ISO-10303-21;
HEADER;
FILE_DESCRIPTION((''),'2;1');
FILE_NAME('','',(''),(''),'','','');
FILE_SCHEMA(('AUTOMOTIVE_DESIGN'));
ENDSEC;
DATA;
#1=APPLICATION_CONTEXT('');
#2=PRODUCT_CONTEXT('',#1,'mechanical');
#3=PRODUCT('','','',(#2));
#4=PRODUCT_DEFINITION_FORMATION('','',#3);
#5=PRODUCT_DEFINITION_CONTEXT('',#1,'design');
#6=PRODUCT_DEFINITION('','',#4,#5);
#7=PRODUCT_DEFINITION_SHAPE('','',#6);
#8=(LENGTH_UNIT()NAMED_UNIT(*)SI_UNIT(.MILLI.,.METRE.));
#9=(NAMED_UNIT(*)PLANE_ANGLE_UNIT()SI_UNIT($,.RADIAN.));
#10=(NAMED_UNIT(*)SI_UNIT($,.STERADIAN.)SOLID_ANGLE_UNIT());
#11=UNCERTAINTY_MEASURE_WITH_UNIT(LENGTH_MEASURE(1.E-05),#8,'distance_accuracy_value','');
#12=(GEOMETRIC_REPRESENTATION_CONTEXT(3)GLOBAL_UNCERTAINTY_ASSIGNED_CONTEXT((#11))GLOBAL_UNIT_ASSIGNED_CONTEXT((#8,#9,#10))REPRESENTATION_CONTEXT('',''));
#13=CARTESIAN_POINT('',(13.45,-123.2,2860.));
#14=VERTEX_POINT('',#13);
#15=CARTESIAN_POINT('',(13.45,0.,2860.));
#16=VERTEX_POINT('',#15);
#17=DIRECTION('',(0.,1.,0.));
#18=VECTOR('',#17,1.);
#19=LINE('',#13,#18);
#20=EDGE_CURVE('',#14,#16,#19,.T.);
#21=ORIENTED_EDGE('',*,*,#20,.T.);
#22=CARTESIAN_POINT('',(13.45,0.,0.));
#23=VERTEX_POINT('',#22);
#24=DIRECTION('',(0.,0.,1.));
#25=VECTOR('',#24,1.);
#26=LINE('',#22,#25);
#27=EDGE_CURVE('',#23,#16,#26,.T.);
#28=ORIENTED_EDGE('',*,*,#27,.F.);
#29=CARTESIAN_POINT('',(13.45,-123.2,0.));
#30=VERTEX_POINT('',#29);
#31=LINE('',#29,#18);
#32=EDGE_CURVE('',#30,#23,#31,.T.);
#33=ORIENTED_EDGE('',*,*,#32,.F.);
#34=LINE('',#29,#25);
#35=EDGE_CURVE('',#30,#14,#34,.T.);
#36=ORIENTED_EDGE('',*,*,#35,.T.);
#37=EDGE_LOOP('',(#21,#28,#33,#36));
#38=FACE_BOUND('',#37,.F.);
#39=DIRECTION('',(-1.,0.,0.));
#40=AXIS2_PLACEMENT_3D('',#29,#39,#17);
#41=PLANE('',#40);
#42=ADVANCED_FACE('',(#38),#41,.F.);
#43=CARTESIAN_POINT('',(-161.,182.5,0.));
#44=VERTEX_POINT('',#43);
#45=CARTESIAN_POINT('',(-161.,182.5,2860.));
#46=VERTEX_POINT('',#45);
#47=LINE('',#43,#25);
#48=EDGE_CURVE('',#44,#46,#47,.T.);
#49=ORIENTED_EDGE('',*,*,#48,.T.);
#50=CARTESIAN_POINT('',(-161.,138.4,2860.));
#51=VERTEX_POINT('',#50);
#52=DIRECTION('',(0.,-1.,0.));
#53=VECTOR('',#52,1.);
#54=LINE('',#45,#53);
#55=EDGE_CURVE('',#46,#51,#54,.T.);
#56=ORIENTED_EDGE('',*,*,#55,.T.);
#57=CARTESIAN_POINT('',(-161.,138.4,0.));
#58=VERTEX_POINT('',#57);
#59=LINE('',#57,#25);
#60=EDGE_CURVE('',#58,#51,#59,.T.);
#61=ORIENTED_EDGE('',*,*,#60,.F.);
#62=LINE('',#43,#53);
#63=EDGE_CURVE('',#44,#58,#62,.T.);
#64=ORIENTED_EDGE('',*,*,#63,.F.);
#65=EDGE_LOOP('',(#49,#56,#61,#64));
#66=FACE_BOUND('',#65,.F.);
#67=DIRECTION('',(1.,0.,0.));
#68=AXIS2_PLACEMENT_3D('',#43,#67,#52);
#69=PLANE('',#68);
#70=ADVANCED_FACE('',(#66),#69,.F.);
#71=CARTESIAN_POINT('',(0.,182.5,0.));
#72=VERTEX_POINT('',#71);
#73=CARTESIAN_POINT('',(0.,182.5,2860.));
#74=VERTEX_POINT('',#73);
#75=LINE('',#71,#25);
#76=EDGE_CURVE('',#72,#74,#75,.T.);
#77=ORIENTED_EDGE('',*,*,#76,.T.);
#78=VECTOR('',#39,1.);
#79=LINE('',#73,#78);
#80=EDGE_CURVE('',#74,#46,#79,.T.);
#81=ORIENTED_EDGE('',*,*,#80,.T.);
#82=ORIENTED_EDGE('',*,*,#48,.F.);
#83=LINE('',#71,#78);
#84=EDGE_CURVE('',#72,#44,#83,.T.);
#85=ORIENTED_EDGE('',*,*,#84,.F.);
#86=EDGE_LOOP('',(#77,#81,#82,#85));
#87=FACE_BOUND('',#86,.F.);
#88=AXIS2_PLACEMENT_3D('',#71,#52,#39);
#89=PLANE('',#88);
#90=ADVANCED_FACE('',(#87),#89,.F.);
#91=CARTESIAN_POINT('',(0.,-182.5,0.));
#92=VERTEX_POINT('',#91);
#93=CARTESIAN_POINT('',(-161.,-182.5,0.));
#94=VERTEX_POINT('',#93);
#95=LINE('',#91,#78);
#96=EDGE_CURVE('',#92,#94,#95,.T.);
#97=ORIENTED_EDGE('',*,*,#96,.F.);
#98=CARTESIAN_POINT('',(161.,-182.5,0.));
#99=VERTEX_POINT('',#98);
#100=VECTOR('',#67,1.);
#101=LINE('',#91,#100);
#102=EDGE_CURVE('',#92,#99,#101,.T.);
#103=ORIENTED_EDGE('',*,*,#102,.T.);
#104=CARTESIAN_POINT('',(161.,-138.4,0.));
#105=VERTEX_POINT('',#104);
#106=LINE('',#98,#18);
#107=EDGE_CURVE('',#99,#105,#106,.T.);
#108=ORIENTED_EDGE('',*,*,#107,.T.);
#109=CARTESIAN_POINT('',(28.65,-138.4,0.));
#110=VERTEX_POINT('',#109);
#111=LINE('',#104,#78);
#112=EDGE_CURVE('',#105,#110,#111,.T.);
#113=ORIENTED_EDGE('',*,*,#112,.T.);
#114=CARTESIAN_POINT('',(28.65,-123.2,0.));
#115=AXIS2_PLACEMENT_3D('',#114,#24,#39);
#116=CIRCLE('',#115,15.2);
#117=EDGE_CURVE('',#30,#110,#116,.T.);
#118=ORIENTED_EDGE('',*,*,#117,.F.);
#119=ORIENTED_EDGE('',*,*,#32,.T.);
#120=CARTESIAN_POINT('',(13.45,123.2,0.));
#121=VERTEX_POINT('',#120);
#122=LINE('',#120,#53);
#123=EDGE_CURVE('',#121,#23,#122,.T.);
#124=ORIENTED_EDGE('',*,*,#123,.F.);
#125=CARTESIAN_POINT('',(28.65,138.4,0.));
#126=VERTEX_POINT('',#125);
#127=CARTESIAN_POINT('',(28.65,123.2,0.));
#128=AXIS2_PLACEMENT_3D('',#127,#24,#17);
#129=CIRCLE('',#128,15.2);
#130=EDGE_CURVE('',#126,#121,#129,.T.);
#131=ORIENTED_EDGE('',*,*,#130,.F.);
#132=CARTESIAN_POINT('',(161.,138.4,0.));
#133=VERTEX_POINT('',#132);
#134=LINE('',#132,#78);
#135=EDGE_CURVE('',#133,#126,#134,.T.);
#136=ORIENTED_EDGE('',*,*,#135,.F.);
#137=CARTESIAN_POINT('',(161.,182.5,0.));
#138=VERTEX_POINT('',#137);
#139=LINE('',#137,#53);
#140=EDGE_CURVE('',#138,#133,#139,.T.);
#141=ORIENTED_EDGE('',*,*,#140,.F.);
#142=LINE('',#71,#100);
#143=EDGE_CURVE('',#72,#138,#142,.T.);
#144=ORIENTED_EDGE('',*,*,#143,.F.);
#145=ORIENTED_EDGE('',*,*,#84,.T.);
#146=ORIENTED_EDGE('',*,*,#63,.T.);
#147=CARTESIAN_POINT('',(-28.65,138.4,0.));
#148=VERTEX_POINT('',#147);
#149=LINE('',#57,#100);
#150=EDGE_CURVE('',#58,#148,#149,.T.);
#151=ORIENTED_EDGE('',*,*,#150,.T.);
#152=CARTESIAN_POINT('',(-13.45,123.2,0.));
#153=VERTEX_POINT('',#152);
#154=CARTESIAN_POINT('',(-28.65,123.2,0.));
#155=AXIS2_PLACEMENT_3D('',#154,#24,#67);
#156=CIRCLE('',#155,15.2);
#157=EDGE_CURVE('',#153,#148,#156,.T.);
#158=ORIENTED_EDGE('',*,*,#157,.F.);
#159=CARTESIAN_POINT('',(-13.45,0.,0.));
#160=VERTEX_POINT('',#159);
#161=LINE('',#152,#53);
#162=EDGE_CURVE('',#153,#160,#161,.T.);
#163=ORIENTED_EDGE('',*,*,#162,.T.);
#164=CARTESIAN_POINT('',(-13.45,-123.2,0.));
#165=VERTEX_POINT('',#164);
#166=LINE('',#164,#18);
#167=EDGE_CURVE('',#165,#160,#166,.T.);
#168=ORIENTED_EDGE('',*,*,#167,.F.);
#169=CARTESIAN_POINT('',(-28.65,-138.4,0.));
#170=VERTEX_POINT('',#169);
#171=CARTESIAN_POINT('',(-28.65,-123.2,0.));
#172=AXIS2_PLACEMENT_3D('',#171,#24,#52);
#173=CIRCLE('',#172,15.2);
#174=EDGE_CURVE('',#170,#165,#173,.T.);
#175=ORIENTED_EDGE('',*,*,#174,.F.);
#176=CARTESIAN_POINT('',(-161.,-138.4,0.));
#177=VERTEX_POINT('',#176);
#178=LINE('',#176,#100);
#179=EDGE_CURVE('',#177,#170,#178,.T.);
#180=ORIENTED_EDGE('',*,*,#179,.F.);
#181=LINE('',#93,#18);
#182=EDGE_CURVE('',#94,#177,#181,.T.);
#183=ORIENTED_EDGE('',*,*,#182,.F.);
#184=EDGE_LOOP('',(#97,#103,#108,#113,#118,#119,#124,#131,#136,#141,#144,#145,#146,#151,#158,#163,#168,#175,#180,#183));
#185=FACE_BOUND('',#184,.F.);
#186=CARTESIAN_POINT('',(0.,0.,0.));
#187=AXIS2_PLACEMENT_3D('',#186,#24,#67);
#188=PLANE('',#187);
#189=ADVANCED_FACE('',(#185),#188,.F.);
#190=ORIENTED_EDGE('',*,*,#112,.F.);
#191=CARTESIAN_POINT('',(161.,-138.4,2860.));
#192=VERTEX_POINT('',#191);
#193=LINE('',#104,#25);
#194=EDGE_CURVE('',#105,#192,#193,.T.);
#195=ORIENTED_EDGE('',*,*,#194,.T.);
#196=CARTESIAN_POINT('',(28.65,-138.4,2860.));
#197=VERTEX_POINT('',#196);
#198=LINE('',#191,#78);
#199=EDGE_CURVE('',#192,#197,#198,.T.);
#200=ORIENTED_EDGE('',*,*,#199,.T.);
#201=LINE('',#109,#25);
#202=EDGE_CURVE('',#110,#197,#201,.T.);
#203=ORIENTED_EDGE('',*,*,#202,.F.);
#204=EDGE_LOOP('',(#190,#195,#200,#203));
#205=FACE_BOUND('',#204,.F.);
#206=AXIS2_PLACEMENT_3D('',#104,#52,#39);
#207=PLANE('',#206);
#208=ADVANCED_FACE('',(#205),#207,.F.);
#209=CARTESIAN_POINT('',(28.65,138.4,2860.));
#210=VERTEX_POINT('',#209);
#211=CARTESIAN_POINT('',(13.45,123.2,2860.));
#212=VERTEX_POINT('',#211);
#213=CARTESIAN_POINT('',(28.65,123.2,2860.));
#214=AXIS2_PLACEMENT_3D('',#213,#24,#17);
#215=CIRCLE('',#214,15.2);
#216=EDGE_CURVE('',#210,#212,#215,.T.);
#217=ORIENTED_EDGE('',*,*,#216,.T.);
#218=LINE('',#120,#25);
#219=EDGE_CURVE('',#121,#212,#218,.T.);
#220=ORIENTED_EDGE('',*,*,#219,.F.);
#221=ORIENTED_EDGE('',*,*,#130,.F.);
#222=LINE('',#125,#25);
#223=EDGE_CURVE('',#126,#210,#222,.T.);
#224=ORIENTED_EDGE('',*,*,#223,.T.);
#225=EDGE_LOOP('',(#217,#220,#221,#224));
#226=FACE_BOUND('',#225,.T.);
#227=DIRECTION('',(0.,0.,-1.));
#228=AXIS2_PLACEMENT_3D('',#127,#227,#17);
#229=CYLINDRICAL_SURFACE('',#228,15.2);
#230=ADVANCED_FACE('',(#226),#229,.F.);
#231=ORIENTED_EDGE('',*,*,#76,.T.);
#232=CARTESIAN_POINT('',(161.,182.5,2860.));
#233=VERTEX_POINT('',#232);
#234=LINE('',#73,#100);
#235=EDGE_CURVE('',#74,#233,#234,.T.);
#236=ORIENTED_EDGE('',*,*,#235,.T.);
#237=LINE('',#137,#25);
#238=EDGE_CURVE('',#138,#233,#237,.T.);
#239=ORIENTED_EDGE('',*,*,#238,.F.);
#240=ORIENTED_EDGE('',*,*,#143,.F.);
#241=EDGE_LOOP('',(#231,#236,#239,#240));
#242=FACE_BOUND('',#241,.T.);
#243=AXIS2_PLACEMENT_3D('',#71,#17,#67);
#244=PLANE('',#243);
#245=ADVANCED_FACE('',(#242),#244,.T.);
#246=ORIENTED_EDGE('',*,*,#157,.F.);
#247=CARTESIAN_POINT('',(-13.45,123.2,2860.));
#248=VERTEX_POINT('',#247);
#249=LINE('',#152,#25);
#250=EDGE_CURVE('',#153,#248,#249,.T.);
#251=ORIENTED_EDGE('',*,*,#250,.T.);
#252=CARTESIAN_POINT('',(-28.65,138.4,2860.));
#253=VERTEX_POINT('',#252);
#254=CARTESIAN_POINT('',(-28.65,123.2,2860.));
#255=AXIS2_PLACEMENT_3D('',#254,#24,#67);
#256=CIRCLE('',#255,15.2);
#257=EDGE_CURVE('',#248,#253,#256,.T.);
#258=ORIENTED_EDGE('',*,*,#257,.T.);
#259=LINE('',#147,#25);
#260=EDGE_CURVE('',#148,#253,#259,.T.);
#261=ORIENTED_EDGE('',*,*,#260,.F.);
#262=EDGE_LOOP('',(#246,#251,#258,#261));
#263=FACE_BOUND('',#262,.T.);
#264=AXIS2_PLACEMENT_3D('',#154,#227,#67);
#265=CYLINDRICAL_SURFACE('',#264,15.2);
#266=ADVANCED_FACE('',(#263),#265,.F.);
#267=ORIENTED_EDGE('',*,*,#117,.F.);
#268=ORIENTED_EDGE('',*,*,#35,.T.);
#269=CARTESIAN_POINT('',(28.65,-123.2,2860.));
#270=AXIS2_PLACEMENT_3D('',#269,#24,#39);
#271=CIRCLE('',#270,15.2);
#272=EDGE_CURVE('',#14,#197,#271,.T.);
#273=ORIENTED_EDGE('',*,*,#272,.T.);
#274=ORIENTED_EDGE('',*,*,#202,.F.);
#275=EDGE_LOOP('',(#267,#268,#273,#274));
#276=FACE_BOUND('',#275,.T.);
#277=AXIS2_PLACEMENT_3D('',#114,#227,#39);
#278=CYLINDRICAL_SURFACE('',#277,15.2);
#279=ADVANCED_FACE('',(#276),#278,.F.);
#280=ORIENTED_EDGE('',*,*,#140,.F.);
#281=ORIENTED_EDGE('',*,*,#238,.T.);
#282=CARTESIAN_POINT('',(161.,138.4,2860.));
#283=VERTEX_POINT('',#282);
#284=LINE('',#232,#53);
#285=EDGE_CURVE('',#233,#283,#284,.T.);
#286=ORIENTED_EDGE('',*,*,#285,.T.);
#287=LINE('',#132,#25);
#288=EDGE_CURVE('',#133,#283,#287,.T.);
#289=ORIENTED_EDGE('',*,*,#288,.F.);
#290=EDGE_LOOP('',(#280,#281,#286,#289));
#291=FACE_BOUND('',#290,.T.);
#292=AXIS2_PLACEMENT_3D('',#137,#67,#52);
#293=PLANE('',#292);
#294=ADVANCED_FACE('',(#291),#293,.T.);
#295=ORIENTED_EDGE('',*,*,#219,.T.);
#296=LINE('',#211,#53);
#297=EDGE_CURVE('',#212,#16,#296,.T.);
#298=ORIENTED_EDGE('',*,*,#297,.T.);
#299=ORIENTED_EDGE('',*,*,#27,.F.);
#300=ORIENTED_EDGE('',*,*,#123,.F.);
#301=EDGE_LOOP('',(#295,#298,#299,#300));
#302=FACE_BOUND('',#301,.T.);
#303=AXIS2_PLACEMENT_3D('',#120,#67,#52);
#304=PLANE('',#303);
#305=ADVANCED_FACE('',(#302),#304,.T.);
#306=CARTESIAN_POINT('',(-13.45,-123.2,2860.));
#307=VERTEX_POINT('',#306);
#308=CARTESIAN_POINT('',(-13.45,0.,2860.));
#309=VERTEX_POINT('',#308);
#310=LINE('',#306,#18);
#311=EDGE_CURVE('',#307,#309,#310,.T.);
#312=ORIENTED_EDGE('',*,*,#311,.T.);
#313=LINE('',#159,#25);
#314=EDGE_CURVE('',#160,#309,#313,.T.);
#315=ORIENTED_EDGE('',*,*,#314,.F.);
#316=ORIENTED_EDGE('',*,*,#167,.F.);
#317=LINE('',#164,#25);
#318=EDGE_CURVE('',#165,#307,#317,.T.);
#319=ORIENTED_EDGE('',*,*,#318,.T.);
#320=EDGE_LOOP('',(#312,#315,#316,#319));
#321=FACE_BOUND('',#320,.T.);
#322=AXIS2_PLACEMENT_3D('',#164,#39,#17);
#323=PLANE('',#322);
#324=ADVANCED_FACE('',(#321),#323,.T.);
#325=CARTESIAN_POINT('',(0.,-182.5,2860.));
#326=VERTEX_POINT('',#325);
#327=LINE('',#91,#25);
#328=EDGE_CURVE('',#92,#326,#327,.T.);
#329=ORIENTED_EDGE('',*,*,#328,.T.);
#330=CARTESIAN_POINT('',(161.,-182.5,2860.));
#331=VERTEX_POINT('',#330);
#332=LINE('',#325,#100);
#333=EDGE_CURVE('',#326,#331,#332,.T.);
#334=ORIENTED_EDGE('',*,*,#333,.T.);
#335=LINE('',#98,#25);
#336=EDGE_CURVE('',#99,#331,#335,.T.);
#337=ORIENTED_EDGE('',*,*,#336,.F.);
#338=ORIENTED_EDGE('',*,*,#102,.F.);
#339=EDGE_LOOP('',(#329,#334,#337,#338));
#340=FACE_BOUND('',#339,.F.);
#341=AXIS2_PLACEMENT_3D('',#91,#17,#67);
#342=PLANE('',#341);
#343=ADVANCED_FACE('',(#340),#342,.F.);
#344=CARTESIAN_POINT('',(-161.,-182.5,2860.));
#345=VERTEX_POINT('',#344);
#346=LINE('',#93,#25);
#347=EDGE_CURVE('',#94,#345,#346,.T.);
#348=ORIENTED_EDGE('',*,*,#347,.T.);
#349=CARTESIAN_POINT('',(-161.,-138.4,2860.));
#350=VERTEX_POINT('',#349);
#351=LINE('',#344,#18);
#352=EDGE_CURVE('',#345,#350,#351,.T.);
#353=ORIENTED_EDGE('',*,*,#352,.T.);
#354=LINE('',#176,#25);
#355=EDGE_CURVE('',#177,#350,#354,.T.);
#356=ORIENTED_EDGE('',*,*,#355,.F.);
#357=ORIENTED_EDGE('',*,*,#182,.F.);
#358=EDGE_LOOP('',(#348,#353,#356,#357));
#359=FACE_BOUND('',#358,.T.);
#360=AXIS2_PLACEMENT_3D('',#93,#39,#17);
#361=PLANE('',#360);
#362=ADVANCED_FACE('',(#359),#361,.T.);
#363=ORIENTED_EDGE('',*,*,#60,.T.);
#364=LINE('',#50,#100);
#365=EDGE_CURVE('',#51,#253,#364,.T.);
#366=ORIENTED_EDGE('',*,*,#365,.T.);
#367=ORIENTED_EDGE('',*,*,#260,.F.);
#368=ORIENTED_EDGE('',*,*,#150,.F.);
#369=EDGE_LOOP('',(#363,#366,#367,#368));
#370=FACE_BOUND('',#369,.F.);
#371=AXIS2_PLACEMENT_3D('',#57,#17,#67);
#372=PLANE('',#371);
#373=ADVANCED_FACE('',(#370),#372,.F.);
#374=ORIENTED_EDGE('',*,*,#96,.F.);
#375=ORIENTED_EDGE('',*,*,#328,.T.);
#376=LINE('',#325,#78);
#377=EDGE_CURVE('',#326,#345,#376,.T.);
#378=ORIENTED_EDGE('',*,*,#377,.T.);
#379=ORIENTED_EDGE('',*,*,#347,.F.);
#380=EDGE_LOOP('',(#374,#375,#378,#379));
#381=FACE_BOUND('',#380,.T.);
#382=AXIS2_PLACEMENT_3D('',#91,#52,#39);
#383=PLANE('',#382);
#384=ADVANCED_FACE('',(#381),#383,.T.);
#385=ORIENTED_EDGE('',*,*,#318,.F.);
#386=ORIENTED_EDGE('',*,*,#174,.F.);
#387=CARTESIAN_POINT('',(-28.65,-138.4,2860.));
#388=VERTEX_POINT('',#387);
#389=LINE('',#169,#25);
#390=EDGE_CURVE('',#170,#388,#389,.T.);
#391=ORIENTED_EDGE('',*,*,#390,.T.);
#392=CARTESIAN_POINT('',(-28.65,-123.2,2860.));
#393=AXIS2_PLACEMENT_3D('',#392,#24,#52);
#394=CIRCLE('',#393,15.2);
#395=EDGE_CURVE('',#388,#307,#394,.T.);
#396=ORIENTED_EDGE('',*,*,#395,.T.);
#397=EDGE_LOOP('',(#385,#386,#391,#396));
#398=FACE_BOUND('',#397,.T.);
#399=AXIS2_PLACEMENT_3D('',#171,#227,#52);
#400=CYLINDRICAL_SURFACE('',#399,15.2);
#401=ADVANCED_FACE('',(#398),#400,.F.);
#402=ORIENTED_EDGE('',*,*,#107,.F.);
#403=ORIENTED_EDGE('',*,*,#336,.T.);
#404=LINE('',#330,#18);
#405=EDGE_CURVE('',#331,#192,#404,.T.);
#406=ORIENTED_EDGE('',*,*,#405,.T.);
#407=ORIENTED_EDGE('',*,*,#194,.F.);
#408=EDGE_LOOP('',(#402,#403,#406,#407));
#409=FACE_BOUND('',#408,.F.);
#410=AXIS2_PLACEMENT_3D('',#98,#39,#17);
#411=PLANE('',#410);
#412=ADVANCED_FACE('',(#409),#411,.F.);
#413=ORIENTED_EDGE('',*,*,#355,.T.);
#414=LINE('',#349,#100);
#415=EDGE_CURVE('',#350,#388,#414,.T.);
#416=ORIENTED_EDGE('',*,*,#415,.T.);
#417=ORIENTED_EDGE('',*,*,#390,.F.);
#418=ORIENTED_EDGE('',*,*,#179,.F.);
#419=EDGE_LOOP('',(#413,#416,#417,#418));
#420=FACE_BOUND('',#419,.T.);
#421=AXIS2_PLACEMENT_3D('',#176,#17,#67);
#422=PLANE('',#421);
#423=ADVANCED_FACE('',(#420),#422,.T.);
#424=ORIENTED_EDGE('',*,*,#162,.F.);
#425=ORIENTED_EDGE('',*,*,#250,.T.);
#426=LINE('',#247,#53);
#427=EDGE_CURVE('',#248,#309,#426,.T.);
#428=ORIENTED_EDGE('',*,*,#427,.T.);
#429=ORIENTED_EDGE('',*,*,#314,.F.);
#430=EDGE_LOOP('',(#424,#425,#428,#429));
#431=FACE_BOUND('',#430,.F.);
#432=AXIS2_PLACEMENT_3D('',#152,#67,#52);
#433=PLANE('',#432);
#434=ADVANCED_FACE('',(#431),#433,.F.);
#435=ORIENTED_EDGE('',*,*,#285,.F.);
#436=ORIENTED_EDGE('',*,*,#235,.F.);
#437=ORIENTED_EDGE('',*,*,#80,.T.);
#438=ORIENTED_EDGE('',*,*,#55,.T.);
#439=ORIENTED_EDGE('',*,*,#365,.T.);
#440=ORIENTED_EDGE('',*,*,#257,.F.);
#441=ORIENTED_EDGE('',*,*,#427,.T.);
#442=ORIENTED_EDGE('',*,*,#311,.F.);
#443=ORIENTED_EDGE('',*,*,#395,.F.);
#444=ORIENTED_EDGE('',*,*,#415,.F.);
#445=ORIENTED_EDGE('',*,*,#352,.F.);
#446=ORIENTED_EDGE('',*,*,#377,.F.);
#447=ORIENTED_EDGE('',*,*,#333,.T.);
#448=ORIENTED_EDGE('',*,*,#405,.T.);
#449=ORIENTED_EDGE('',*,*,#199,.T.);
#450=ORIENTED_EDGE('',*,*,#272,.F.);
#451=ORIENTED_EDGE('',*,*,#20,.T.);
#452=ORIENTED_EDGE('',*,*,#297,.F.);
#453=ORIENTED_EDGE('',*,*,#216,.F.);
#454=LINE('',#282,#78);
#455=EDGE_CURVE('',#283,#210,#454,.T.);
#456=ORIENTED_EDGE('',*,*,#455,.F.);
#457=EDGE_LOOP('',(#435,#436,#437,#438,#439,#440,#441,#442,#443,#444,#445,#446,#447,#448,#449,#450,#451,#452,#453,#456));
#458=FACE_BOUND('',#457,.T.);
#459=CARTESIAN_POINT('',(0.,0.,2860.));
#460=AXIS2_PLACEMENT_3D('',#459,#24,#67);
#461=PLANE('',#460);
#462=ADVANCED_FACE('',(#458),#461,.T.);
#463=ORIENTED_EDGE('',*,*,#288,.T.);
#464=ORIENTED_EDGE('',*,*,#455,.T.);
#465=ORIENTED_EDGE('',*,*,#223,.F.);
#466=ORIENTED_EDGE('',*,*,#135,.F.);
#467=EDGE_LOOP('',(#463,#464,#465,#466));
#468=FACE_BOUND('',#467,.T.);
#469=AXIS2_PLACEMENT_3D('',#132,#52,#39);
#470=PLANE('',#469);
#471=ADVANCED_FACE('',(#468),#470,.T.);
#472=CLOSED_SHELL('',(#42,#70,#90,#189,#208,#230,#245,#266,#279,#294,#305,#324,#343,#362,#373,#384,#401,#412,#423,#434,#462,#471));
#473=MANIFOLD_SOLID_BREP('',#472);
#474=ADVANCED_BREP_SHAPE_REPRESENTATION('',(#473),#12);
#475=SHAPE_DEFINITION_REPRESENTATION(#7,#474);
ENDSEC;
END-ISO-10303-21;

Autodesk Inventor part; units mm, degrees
ref_plane "YZ Plane" through (0, 0, 0) normal (1, 0, 0) x (0, 1, 0)
ref_plane "Start plane" through (0, 0, 0) normal (0, 0, 1) x (1, 0, 0)
ref_plane "End plane" through (0, 0, 2860) normal (0, 0, 1) x (1, 0, 0)
sketch "Sketch" plane through (0, 0, 0) normal (0, 0, 1) x (1, 0, 0)
  line L0 (-161, -182.5) -> (-161, -138.4)
  line L1 (-161, -138.4) -> (-28.65, -138.4)
  line L2 (-13.45, -123.2) -> (-13.45, 0)
  line L3 (-13.45, 0) -> (0, 0) construction
  line L4 (0, 0) -> (0, -182.5) construction
  line L5 (0, -182.5) -> (-161, -182.5)
  line L6 (-60, 0) -> (80, 0) construction
  line L7 (0, -60) -> (0, 80) construction
  line L8 (161, -182.5) -> (161, -138.4)
  line L9 (161, -138.4) -> (28.65, -138.4)
  line L10 (13.45, -123.2) -> (13.45, 0)
  line L11 (13.45, 0) -> (0, 0) construction
  line L12 (0, -182.5) -> (161, -182.5)
  line L13 (-161, 182.5) -> (-161, 138.4)
  line L14 (-161, 138.4) -> (-28.65, 138.4)
  line L15 (-13.45, 123.2) -> (-13.45, 0)
  line L16 (0, 182.5) -> (-161, 182.5)
  line L17 (161, 182.5) -> (161, 138.4)
  line L18 (161, 138.4) -> (28.65, 138.4)
  line L19 (0, 182.5) -> (161, 182.5)
  line L20 (13.45, 123.2) -> (13.45, 0)
  arc A0 (-13.45, 123.2) -> (-28.65, 138.4) centre (-28.65, 123.2) ccw
  arc A1 (28.65, 138.4) -> (13.45, 123.2) centre (28.65, 123.2) ccw
  arc A2 (13.45, -123.2) -> (28.65, -138.4) centre (28.65, -123.2) ccw
  arc A3 (-28.65, -138.4) -> (-13.45, -123.2) centre (-28.65, -123.2) ccw
  line L21 (0, 108) -> (0, -88) construction
  line L22 (-88, 0) -> (108, 0) construction
  point P0 (-13.45, -138.4)
  point P1 (13.45, -138.4)
  point P2 (-13.45, 138.4)
  point P3 (13.45, 138.4)
  dimension "d1" = 182.5
  dimension "d2" = 44.1
  dimension "d3" = 161
  dimension "d4" = 13.45
  dimension "d10" = 15.2
extrude "Body" add sketch "Sketch" along normal up to surface (2860 mm away) from surface at 0
sketch "Sketch4" plane through (0, 0, 0) normal (0, 0, 1) x (1, 0, 0)
  line L0 (0, 0) -> (10, 0)
ref_plane "Work Plane3" through (0, 0, 0) normal (0, -1, 0) x (1, 0, 0)
sketch "Sketch5" plane through (0, 0, 0) normal (0, -1, 0) x (1, 0, 0)
  line L0 (-2, 0) -> (12, 0) projected
  line L1 (-2, 2860) -> (12, 2860) projected
  dimension "d14" = 2860
equation "\"d1\" = 0.5 * G_H"
equation "\"d2\" = G_T1"
equation "\"d3\" = 0.5 * G_W"
equation "\"d4\" = 0.5 * G_T"
equation "\"d10\" = G_IR"
equation "\"d5\" = G_L"
equation "\"G_W\" = 322"
equation "\"G_H\" = 365"
equation "\"G_T\" = 26.9"
equation "\"G_T1\" = 44.1"
equation "\"G_IR\" = 15.2"
equation "\"G_L\" = d14"
equation "\"G_OFFSET_START\" = 0"
equation "\"G_OFFSET_END\" = 0"
properties part number "AS 3679 - 310 UC - 283 - 2860" material "Steel, Mild"
